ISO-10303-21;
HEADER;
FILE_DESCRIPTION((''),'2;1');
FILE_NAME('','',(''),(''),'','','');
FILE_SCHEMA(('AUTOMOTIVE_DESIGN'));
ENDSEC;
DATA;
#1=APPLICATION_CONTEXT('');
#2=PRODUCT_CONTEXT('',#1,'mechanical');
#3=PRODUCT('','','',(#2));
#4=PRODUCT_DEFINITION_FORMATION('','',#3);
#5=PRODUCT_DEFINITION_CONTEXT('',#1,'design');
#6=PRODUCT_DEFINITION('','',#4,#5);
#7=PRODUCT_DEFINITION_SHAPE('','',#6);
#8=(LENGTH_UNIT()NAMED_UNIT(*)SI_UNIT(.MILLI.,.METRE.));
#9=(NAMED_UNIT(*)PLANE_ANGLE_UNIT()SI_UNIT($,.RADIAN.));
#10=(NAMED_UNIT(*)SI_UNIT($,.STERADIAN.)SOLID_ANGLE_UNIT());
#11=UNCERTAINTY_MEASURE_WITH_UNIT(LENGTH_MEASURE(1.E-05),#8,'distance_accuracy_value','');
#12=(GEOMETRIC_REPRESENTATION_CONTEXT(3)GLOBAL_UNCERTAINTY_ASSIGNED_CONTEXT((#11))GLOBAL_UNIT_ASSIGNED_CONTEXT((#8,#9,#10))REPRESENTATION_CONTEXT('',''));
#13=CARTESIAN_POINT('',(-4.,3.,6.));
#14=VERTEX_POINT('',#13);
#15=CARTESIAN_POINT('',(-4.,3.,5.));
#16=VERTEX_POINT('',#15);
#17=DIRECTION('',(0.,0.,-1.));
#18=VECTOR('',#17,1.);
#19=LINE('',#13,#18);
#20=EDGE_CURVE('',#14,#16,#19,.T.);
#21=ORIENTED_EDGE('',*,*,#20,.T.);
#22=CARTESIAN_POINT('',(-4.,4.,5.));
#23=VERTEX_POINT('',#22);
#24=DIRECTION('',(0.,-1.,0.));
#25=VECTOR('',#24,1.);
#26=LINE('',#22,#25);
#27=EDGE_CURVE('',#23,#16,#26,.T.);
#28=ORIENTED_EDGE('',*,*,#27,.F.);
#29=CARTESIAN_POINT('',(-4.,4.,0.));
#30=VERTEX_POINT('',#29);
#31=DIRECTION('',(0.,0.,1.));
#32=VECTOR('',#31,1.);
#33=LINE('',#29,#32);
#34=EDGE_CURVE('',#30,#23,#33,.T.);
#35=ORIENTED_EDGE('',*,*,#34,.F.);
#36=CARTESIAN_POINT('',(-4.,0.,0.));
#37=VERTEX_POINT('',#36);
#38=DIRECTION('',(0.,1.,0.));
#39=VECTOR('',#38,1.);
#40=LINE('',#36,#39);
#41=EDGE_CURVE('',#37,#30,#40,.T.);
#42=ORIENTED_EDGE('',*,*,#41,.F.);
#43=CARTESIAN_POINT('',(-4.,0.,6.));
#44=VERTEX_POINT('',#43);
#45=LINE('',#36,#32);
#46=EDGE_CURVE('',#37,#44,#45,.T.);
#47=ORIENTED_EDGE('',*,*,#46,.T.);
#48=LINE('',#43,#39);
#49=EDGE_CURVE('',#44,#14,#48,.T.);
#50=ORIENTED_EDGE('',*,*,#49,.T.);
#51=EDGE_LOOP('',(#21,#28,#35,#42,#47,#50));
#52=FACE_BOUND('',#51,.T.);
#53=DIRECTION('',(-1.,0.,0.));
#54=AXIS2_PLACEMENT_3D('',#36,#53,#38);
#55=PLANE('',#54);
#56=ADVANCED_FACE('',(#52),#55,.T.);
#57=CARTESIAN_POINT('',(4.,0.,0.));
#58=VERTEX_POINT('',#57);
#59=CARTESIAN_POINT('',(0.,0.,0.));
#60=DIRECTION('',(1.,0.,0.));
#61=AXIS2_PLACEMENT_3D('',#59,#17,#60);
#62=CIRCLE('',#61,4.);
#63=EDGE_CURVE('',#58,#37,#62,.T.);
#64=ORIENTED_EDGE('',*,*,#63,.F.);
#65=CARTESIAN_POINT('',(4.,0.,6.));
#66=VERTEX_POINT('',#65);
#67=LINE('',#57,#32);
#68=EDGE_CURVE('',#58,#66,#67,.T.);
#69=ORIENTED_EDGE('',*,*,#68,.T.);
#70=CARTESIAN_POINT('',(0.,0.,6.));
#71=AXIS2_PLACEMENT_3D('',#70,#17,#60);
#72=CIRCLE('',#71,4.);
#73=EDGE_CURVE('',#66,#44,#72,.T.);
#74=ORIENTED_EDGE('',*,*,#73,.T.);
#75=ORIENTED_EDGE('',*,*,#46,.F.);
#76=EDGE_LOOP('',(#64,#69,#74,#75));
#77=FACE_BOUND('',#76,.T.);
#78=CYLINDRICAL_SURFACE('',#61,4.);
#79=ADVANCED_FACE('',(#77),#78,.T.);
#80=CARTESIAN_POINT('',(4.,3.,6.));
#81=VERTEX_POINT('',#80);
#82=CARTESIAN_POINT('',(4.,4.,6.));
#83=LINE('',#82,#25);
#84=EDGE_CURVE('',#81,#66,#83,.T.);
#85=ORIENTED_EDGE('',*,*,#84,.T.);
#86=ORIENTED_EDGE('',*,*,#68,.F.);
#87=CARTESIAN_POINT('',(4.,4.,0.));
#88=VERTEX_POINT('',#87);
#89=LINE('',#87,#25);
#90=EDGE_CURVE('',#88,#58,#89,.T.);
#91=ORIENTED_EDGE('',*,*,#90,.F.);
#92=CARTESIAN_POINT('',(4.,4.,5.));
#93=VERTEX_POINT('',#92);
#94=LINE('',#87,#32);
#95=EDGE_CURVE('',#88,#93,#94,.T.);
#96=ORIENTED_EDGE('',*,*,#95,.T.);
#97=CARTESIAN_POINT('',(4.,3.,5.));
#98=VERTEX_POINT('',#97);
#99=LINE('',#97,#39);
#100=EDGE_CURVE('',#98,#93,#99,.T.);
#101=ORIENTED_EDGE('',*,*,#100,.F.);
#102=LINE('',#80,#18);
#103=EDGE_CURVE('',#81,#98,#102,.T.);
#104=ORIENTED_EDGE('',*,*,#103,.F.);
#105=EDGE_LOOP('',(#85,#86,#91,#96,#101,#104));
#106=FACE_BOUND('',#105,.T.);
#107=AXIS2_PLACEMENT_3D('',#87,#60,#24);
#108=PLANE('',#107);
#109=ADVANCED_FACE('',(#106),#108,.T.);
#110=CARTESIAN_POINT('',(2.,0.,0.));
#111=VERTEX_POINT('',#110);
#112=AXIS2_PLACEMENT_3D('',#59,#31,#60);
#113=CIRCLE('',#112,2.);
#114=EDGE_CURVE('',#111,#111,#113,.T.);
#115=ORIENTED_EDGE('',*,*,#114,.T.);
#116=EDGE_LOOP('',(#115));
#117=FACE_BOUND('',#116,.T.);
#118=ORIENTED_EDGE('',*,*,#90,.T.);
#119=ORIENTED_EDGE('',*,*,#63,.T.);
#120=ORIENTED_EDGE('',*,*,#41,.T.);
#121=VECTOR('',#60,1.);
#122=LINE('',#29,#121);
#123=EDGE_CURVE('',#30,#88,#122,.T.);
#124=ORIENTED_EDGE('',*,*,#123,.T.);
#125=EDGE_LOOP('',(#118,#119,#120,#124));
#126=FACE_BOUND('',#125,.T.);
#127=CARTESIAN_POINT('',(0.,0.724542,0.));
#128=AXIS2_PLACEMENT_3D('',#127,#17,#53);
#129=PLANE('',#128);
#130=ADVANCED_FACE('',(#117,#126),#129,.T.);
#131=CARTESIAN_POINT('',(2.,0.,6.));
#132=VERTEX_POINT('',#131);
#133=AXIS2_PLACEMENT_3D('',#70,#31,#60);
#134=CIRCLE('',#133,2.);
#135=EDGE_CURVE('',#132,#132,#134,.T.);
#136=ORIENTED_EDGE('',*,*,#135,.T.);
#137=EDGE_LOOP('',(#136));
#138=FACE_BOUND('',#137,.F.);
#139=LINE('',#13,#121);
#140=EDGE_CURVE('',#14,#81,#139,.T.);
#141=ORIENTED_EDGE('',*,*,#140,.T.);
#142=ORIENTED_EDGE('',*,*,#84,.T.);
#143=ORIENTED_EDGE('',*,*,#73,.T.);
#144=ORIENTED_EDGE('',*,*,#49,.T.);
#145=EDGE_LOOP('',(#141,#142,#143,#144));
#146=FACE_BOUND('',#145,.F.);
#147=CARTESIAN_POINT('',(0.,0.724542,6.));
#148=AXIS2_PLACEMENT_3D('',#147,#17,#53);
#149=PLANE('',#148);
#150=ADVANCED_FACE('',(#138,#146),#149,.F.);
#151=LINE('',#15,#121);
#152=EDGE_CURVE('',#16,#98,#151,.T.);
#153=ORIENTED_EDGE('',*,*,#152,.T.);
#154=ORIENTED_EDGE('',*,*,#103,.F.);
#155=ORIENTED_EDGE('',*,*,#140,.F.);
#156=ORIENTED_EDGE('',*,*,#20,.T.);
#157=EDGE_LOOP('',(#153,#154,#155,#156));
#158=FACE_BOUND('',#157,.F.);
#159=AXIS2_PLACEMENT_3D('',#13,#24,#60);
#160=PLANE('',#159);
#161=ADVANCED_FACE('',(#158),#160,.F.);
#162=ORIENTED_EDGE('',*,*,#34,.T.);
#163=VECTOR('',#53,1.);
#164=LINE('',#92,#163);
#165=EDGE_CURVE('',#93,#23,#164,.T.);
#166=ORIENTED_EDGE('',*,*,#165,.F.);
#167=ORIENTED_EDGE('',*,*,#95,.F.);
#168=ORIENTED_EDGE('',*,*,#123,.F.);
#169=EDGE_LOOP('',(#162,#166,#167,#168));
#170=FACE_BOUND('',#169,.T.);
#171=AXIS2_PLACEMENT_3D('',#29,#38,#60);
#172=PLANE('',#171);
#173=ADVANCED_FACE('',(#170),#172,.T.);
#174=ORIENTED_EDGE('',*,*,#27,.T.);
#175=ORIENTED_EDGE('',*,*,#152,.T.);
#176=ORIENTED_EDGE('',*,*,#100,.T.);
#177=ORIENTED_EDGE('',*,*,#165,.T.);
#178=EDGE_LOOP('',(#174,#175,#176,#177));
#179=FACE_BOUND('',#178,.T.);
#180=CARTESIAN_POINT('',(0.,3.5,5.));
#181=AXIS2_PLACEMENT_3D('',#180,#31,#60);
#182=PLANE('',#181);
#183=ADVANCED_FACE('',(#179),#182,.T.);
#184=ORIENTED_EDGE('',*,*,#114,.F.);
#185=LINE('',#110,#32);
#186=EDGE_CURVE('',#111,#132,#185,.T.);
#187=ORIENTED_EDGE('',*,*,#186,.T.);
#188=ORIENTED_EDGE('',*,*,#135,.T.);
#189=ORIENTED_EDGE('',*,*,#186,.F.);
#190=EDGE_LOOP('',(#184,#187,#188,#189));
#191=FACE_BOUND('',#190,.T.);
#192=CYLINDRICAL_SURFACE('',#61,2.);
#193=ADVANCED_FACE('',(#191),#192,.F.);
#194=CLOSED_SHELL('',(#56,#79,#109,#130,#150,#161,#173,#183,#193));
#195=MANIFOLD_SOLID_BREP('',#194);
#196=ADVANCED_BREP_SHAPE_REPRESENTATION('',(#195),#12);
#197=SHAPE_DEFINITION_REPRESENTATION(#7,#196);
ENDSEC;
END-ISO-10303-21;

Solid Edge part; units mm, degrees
sketch "Sketch1" plane through (0, 0, 0) normal (0, 0, 1) x (1, 0, 0)
  circle A0 centre (0, 0) radius 2
  line L0 (-4, 0) -> (-4, 4)
  line L1 (-4, 4) -> (4, 4)
  line L2 (4, 4) -> (4, 0)
  arc A1 (4, 0) -> (-4, 0) centre (0, 0) cw
extrude "Protrusion1" add sketch "Sketch1" along normal blind 6
sketch "Sketch2" plane through (0, 0, 6) normal (0, 0, 1) x (1, 0, 0)
  line L0 (-4, 3) -> (4, 3)
  line L1 (4, 3) -> (4, 4)
  line L2 (4, 4) -> (-4, 4)
  line L3 (-4, 4) -> (-4, 3)
  dimension "D1" = 1
extrude "Extrusionsausschnitt_1" cut sketch "Sketch2" against normal blind 1
